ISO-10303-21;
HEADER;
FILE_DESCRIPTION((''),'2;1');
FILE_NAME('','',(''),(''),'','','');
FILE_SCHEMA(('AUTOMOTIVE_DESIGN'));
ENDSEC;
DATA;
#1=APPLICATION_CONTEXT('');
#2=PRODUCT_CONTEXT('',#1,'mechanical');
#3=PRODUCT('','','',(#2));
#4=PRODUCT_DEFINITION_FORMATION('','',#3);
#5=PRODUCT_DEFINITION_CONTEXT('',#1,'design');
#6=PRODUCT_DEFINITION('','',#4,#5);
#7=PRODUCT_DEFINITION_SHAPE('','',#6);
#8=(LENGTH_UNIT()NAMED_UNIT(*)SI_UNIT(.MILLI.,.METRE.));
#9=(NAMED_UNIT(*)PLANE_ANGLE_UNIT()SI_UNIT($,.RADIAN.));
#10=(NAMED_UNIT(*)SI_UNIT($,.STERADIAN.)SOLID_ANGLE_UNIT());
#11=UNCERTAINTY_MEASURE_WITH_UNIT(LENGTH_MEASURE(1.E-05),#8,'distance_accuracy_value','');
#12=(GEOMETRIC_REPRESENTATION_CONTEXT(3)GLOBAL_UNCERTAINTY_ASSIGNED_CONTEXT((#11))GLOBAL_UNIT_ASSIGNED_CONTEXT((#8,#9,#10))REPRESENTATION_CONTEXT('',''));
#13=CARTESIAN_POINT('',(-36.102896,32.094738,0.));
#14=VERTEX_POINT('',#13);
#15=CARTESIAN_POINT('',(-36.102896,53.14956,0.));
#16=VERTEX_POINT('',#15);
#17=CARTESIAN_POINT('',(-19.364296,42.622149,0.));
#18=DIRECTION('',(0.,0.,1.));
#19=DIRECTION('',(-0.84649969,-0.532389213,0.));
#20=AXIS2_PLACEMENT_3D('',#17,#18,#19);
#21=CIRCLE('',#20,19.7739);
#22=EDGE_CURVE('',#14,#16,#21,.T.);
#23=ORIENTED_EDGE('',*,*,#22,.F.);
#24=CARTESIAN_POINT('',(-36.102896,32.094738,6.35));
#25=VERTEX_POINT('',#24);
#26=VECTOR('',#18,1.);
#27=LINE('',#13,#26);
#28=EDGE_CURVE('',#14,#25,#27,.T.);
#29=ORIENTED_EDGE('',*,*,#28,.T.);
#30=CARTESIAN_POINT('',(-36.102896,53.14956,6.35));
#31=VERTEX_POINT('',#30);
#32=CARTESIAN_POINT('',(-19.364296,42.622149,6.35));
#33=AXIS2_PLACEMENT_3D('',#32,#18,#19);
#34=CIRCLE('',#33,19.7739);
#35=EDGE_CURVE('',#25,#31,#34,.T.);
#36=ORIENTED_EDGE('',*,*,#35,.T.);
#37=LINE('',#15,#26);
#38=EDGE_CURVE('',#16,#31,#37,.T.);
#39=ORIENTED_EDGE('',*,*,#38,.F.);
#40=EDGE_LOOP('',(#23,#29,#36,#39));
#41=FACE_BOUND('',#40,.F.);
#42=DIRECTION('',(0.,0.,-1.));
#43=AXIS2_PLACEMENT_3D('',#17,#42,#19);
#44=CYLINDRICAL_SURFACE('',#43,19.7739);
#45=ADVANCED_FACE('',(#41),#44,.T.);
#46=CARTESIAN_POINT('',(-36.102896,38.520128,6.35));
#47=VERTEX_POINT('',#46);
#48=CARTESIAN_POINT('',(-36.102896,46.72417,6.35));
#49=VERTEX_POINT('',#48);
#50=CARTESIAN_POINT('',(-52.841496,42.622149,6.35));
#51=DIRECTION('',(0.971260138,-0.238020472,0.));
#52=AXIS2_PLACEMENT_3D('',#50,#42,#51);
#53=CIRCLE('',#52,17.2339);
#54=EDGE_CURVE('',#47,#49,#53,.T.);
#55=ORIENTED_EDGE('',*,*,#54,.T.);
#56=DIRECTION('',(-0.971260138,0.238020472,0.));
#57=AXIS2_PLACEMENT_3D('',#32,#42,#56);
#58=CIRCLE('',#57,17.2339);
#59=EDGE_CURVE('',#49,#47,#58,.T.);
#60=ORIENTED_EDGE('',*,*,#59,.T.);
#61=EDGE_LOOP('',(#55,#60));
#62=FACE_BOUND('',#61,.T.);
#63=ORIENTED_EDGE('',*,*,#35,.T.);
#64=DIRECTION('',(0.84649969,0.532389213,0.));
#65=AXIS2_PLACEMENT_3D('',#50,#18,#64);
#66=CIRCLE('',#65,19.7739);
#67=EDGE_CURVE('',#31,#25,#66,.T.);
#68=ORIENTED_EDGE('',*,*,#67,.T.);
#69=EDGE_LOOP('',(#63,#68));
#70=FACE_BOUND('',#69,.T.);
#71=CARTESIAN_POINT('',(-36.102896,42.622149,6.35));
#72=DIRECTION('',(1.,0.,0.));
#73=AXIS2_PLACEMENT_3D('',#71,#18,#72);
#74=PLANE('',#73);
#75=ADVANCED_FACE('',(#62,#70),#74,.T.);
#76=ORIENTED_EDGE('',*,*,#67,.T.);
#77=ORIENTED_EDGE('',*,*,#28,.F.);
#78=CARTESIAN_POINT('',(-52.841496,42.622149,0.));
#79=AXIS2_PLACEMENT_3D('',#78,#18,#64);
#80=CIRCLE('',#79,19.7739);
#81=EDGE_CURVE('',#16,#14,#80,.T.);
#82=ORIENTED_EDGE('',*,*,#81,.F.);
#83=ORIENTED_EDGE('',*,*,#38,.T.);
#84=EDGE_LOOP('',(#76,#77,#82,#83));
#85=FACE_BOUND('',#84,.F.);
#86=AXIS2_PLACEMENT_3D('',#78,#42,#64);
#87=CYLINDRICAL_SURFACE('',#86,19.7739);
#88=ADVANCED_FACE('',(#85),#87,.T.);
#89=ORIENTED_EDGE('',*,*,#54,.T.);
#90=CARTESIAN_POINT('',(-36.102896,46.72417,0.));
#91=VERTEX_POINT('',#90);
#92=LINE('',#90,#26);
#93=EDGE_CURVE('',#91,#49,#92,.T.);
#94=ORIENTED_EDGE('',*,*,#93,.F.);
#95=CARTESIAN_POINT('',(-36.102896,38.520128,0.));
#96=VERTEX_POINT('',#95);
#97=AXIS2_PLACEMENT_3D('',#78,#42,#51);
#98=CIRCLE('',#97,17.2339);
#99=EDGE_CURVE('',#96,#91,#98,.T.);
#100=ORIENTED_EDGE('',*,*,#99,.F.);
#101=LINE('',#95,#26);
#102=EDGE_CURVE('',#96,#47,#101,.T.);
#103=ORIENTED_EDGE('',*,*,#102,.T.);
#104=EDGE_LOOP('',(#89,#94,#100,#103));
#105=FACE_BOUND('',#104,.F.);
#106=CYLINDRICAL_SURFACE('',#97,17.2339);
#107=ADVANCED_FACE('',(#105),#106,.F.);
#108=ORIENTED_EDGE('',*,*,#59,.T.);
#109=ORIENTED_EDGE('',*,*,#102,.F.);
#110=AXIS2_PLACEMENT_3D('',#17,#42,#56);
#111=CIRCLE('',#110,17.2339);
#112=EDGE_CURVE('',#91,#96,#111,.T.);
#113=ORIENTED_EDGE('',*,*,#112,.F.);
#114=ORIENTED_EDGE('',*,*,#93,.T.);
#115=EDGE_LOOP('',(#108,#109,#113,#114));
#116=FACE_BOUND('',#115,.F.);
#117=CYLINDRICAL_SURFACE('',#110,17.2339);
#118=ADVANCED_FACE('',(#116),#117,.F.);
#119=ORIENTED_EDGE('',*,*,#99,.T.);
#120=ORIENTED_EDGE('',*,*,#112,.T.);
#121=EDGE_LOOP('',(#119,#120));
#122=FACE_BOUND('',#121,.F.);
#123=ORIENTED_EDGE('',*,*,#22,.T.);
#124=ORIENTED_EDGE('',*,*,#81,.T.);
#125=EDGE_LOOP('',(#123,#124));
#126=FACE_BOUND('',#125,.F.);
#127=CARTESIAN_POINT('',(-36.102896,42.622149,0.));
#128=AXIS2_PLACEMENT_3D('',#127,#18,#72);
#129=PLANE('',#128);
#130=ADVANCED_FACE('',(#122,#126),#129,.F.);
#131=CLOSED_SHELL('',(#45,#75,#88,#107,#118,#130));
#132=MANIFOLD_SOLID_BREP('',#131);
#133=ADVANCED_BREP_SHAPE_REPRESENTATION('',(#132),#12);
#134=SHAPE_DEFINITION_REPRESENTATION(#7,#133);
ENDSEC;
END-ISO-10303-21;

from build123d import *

# Parameters (mm, degrees)
F1_DEPTH = 6.35


with BuildPart() as f1:
    # F0 (on Top) → F1 (new body)
    with BuildSketch(Plane.XY):
        with BuildLine():
            ThreePointArc((-36.102896, 32.094738), (0.409604, 42.622149), (-36.102896, 53.14956))
            ThreePointArc((-36.102896, 53.14956), (-72.615396, 42.622149), (-36.102896, 32.094738))
        make_face()
        with BuildLine():
            ThreePointArc((-36.102896, 46.72417), (-2.130396, 42.622149), (-36.102896, 38.520128))
            ThreePointArc((-36.102896, 38.520128), (-70.075396, 42.622149), (-36.102896, 46.72417))
        make_face(mode=Mode.SUBTRACT)
    extrude(amount=F1_DEPTH)


solid = f1.part
